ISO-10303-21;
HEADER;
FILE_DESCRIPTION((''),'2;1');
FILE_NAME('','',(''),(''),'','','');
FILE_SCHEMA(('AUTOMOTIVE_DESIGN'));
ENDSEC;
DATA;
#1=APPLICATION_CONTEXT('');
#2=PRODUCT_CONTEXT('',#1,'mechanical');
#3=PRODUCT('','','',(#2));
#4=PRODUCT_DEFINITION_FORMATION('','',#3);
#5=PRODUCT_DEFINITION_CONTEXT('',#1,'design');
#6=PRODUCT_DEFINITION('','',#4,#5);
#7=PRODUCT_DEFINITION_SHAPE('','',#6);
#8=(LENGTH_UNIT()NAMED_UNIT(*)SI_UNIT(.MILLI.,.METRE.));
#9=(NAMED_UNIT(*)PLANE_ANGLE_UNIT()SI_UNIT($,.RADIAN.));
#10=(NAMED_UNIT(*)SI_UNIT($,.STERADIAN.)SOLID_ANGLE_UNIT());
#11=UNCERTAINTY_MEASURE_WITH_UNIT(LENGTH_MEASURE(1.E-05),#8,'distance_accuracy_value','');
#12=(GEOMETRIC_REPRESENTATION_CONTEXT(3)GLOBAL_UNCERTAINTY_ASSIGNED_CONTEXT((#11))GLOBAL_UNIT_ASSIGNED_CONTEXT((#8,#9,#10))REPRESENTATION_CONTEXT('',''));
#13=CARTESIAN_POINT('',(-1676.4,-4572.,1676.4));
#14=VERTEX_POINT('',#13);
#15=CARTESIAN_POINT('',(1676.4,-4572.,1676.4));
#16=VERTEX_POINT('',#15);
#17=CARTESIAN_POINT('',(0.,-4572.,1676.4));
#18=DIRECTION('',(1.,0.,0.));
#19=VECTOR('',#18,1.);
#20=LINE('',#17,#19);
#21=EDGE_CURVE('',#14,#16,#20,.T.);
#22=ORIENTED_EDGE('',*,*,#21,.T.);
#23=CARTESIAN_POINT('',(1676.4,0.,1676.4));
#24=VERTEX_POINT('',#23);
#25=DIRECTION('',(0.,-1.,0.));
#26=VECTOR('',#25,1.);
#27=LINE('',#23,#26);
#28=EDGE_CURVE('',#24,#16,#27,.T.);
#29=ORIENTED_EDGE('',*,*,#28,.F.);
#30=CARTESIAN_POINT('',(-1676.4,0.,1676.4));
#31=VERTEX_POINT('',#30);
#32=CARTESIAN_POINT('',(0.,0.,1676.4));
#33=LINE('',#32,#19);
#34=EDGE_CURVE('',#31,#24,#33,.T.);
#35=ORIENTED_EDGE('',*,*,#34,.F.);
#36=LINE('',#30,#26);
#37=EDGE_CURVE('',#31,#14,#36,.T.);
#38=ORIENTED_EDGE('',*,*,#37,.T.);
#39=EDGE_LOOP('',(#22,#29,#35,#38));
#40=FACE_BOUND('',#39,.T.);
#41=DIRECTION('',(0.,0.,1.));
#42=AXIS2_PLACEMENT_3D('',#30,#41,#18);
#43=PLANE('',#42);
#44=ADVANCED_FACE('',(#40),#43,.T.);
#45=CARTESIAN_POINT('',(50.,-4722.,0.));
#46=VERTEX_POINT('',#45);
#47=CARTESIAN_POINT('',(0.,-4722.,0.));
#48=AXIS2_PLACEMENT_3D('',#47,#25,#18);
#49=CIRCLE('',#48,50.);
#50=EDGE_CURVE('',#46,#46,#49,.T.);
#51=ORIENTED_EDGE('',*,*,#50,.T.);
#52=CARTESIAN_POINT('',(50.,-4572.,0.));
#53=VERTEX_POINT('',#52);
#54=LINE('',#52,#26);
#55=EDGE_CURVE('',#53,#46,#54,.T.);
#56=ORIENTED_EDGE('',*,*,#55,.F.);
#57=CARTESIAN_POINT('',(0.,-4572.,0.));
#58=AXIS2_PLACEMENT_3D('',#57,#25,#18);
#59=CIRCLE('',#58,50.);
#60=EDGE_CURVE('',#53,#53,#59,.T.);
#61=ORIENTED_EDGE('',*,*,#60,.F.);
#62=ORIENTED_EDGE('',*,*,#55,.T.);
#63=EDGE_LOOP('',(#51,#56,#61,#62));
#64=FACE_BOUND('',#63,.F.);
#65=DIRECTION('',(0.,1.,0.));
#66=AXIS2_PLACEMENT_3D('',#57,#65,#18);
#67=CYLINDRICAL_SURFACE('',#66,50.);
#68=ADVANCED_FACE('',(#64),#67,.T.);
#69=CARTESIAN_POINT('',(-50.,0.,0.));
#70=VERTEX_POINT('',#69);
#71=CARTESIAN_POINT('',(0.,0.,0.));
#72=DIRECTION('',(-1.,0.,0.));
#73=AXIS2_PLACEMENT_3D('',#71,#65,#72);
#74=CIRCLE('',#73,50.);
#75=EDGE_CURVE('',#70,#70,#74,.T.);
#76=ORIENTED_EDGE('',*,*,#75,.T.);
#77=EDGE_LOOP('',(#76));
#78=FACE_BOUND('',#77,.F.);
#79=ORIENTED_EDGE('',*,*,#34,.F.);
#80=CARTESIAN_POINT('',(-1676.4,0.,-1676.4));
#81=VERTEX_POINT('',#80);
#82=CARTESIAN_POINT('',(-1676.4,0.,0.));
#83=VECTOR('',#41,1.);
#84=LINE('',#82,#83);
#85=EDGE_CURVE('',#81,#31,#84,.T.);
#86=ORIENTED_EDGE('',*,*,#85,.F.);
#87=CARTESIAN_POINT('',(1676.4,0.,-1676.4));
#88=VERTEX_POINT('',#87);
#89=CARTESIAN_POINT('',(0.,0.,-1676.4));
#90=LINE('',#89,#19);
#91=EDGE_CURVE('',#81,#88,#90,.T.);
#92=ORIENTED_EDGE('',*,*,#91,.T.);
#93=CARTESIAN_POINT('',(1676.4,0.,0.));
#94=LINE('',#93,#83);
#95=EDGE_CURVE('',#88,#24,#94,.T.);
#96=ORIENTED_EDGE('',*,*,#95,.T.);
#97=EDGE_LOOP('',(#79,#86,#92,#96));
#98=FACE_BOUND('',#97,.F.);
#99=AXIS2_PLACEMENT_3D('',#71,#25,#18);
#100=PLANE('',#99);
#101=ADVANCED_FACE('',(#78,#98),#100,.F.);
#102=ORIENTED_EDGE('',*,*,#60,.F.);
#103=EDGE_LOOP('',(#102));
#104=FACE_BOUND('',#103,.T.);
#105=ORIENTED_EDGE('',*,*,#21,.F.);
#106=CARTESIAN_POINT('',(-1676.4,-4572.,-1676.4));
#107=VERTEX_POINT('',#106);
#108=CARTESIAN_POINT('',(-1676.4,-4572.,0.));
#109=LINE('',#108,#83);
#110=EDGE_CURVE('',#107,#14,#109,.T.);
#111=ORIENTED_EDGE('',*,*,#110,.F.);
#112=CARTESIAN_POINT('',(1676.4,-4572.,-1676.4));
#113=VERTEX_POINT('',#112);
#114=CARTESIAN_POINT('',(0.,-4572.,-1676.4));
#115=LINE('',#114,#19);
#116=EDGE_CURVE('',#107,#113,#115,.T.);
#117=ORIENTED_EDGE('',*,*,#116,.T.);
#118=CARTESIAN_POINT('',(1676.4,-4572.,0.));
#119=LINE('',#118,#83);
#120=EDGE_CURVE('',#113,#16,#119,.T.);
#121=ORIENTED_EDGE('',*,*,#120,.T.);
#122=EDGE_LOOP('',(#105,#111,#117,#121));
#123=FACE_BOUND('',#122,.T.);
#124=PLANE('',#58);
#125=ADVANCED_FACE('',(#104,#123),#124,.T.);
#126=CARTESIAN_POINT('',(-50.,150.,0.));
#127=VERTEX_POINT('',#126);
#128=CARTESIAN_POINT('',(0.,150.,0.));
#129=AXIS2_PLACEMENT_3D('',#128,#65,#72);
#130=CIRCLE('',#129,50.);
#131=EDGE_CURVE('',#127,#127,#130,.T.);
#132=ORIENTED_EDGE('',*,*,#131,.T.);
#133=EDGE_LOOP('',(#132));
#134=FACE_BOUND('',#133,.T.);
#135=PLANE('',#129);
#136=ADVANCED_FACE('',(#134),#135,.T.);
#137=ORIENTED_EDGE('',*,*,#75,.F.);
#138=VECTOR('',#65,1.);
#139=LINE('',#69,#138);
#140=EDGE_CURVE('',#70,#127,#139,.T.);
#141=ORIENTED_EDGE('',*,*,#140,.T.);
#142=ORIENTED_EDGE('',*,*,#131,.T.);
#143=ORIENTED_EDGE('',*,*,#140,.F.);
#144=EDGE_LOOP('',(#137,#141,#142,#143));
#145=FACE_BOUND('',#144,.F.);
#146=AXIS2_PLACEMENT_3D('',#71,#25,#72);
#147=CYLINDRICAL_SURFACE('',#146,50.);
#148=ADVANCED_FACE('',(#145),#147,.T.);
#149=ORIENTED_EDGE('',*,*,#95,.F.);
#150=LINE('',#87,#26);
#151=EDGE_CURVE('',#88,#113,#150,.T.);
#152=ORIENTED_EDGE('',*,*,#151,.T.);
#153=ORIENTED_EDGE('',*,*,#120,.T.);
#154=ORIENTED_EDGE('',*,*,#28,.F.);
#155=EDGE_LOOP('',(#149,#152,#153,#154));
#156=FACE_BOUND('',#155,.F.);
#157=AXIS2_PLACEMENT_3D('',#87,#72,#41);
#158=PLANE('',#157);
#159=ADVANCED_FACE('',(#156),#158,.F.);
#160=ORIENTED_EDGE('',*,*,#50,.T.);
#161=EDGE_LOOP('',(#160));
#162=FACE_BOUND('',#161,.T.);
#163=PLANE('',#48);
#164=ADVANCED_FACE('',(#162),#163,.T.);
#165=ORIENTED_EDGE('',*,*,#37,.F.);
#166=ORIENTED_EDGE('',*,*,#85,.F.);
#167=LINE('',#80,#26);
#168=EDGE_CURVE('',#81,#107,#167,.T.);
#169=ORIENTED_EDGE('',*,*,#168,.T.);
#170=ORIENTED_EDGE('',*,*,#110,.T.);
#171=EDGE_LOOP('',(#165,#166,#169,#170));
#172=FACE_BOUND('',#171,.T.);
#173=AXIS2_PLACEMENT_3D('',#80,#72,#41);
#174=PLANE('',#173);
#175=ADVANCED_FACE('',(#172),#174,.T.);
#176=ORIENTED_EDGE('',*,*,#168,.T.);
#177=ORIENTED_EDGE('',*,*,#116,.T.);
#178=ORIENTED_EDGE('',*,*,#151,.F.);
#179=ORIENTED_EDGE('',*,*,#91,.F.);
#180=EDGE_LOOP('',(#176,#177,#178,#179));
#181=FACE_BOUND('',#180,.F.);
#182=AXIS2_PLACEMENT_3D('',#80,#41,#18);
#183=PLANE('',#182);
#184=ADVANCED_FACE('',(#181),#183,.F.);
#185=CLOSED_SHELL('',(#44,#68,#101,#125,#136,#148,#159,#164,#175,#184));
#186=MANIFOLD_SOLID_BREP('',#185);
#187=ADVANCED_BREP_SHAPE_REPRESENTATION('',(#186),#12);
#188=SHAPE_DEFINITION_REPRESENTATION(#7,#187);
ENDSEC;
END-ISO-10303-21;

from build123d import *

# Parameters (mm, degrees)
F0_W     = 3352.8
F0_H     = 3352.8
F1_DEPTH = 4572
F2_R     = 50
F3_DEPTH = 150
F4_R     = 50
F5_DEPTH = 150


with BuildPart() as f1:
    # F0 (on Front) → F1 (new body)
    with BuildSketch(Plane.XZ):
        Rectangle(F0_W, F0_H)
    extrude(amount=F1_DEPTH)

    # F2 (on face) → F3 (join)
    with BuildSketch(Plane(origin=(0, 0, 0), x_dir=(-1, 0, 0), z_dir=(0, 1, 0))):
        Circle(F2_R)
    extrude(amount=F3_DEPTH)

    # F4 (on face) → F5 (join)
    with BuildSketch(Plane.XZ.offset(4572)):
        Circle(F4_R)
    extrude(amount=F5_DEPTH)


solid = f1.part
